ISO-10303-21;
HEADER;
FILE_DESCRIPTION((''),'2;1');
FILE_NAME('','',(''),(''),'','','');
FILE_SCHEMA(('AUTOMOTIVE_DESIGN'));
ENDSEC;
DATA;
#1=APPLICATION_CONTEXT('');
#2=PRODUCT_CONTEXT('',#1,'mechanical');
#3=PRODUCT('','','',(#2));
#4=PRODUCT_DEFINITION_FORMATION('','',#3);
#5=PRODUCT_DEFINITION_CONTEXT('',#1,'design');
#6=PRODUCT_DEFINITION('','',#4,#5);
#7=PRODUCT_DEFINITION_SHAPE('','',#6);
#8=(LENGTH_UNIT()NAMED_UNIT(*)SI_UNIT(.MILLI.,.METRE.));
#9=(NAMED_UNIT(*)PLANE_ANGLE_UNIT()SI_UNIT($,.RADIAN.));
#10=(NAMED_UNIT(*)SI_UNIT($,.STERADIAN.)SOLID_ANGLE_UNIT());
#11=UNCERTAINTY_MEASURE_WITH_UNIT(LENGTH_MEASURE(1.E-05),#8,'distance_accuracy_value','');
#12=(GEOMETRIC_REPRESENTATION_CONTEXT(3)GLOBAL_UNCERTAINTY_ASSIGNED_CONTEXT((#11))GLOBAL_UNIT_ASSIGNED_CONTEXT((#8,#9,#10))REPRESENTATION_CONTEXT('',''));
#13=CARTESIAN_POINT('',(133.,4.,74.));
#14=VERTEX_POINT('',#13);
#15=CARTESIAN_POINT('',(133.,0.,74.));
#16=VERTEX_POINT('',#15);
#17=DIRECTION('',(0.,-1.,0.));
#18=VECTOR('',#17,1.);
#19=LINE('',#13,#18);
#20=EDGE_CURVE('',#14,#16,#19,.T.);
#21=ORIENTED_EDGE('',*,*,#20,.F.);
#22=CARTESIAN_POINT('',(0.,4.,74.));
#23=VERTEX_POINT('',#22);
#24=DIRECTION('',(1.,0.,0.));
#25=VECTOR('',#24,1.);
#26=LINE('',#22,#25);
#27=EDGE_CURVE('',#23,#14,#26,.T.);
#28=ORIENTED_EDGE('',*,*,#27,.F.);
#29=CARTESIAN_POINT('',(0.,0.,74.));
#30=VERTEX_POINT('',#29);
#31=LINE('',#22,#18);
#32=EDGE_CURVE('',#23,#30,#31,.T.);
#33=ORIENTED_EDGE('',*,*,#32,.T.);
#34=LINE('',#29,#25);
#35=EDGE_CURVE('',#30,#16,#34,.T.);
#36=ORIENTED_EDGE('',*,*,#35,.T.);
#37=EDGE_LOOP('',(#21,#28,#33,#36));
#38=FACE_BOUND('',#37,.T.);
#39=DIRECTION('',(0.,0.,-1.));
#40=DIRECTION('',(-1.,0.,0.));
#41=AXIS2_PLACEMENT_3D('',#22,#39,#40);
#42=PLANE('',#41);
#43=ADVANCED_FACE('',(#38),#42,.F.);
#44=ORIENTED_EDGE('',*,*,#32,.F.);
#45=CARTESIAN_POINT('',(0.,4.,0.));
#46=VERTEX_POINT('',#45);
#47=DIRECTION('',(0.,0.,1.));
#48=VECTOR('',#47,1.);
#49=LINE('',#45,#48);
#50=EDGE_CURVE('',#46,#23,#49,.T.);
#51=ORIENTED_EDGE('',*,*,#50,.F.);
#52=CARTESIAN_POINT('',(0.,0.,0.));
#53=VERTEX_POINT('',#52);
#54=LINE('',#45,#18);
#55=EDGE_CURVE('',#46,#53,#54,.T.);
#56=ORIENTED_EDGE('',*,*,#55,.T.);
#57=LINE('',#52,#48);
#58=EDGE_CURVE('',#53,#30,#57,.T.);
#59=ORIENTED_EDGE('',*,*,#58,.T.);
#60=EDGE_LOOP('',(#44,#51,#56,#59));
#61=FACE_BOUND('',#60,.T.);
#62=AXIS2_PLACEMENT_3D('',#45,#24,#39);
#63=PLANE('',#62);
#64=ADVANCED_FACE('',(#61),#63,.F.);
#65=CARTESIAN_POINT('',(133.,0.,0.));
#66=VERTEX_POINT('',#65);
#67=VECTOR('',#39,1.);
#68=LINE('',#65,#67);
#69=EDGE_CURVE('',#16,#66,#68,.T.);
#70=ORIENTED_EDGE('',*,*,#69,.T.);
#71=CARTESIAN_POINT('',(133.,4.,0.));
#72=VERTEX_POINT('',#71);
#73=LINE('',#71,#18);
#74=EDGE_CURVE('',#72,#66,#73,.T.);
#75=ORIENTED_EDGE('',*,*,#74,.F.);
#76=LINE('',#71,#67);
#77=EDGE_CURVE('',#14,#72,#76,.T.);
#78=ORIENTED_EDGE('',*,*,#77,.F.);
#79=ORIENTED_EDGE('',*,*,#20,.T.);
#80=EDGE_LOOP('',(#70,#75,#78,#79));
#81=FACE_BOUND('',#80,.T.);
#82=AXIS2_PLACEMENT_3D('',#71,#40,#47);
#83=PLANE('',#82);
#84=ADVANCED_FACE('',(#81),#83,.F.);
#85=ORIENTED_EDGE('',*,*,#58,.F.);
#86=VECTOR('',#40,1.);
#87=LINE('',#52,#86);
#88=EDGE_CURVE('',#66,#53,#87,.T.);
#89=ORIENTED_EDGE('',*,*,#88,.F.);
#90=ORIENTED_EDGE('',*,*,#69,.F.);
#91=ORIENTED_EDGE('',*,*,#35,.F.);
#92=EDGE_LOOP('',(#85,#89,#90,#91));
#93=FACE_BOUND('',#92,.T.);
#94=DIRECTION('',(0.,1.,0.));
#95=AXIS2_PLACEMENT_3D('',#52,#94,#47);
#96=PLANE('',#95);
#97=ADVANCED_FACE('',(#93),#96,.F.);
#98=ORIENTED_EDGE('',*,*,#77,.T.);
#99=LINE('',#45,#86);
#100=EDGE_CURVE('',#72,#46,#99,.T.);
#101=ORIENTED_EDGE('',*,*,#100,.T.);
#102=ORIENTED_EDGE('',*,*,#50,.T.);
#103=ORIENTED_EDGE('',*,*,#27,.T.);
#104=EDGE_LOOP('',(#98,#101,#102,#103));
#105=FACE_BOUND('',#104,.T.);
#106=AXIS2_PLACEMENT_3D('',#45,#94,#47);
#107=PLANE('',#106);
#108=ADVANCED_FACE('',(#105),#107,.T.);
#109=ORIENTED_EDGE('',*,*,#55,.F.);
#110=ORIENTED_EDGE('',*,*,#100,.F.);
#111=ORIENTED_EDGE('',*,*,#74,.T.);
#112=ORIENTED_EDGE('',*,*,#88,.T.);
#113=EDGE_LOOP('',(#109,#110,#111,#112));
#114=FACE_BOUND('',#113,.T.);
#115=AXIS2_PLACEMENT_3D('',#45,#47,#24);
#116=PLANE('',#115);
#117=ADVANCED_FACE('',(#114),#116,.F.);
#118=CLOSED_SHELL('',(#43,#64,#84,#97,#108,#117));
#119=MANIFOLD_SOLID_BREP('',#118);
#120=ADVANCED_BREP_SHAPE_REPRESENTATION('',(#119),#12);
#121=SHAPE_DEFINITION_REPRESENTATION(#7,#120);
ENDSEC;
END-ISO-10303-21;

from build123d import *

# Parameters (mm, degrees)
SKETCH_1_W      = 133
SKETCH_1_H      = 74
EXTRUDE_1_DEPTH = 4


with BuildPart() as part:
    # 草图1 → 凸台-拉伸1 (new body)
    with BuildSketch(Plane(origin=(0, 0, 0), x_dir=(1, 0, 0), z_dir=(0, 1, 0))):
        with Locations((66.5, -37)):
            Rectangle(SKETCH_1_W, SKETCH_1_H)
    extrude(amount=EXTRUDE_1_DEPTH)


solid = part.part
